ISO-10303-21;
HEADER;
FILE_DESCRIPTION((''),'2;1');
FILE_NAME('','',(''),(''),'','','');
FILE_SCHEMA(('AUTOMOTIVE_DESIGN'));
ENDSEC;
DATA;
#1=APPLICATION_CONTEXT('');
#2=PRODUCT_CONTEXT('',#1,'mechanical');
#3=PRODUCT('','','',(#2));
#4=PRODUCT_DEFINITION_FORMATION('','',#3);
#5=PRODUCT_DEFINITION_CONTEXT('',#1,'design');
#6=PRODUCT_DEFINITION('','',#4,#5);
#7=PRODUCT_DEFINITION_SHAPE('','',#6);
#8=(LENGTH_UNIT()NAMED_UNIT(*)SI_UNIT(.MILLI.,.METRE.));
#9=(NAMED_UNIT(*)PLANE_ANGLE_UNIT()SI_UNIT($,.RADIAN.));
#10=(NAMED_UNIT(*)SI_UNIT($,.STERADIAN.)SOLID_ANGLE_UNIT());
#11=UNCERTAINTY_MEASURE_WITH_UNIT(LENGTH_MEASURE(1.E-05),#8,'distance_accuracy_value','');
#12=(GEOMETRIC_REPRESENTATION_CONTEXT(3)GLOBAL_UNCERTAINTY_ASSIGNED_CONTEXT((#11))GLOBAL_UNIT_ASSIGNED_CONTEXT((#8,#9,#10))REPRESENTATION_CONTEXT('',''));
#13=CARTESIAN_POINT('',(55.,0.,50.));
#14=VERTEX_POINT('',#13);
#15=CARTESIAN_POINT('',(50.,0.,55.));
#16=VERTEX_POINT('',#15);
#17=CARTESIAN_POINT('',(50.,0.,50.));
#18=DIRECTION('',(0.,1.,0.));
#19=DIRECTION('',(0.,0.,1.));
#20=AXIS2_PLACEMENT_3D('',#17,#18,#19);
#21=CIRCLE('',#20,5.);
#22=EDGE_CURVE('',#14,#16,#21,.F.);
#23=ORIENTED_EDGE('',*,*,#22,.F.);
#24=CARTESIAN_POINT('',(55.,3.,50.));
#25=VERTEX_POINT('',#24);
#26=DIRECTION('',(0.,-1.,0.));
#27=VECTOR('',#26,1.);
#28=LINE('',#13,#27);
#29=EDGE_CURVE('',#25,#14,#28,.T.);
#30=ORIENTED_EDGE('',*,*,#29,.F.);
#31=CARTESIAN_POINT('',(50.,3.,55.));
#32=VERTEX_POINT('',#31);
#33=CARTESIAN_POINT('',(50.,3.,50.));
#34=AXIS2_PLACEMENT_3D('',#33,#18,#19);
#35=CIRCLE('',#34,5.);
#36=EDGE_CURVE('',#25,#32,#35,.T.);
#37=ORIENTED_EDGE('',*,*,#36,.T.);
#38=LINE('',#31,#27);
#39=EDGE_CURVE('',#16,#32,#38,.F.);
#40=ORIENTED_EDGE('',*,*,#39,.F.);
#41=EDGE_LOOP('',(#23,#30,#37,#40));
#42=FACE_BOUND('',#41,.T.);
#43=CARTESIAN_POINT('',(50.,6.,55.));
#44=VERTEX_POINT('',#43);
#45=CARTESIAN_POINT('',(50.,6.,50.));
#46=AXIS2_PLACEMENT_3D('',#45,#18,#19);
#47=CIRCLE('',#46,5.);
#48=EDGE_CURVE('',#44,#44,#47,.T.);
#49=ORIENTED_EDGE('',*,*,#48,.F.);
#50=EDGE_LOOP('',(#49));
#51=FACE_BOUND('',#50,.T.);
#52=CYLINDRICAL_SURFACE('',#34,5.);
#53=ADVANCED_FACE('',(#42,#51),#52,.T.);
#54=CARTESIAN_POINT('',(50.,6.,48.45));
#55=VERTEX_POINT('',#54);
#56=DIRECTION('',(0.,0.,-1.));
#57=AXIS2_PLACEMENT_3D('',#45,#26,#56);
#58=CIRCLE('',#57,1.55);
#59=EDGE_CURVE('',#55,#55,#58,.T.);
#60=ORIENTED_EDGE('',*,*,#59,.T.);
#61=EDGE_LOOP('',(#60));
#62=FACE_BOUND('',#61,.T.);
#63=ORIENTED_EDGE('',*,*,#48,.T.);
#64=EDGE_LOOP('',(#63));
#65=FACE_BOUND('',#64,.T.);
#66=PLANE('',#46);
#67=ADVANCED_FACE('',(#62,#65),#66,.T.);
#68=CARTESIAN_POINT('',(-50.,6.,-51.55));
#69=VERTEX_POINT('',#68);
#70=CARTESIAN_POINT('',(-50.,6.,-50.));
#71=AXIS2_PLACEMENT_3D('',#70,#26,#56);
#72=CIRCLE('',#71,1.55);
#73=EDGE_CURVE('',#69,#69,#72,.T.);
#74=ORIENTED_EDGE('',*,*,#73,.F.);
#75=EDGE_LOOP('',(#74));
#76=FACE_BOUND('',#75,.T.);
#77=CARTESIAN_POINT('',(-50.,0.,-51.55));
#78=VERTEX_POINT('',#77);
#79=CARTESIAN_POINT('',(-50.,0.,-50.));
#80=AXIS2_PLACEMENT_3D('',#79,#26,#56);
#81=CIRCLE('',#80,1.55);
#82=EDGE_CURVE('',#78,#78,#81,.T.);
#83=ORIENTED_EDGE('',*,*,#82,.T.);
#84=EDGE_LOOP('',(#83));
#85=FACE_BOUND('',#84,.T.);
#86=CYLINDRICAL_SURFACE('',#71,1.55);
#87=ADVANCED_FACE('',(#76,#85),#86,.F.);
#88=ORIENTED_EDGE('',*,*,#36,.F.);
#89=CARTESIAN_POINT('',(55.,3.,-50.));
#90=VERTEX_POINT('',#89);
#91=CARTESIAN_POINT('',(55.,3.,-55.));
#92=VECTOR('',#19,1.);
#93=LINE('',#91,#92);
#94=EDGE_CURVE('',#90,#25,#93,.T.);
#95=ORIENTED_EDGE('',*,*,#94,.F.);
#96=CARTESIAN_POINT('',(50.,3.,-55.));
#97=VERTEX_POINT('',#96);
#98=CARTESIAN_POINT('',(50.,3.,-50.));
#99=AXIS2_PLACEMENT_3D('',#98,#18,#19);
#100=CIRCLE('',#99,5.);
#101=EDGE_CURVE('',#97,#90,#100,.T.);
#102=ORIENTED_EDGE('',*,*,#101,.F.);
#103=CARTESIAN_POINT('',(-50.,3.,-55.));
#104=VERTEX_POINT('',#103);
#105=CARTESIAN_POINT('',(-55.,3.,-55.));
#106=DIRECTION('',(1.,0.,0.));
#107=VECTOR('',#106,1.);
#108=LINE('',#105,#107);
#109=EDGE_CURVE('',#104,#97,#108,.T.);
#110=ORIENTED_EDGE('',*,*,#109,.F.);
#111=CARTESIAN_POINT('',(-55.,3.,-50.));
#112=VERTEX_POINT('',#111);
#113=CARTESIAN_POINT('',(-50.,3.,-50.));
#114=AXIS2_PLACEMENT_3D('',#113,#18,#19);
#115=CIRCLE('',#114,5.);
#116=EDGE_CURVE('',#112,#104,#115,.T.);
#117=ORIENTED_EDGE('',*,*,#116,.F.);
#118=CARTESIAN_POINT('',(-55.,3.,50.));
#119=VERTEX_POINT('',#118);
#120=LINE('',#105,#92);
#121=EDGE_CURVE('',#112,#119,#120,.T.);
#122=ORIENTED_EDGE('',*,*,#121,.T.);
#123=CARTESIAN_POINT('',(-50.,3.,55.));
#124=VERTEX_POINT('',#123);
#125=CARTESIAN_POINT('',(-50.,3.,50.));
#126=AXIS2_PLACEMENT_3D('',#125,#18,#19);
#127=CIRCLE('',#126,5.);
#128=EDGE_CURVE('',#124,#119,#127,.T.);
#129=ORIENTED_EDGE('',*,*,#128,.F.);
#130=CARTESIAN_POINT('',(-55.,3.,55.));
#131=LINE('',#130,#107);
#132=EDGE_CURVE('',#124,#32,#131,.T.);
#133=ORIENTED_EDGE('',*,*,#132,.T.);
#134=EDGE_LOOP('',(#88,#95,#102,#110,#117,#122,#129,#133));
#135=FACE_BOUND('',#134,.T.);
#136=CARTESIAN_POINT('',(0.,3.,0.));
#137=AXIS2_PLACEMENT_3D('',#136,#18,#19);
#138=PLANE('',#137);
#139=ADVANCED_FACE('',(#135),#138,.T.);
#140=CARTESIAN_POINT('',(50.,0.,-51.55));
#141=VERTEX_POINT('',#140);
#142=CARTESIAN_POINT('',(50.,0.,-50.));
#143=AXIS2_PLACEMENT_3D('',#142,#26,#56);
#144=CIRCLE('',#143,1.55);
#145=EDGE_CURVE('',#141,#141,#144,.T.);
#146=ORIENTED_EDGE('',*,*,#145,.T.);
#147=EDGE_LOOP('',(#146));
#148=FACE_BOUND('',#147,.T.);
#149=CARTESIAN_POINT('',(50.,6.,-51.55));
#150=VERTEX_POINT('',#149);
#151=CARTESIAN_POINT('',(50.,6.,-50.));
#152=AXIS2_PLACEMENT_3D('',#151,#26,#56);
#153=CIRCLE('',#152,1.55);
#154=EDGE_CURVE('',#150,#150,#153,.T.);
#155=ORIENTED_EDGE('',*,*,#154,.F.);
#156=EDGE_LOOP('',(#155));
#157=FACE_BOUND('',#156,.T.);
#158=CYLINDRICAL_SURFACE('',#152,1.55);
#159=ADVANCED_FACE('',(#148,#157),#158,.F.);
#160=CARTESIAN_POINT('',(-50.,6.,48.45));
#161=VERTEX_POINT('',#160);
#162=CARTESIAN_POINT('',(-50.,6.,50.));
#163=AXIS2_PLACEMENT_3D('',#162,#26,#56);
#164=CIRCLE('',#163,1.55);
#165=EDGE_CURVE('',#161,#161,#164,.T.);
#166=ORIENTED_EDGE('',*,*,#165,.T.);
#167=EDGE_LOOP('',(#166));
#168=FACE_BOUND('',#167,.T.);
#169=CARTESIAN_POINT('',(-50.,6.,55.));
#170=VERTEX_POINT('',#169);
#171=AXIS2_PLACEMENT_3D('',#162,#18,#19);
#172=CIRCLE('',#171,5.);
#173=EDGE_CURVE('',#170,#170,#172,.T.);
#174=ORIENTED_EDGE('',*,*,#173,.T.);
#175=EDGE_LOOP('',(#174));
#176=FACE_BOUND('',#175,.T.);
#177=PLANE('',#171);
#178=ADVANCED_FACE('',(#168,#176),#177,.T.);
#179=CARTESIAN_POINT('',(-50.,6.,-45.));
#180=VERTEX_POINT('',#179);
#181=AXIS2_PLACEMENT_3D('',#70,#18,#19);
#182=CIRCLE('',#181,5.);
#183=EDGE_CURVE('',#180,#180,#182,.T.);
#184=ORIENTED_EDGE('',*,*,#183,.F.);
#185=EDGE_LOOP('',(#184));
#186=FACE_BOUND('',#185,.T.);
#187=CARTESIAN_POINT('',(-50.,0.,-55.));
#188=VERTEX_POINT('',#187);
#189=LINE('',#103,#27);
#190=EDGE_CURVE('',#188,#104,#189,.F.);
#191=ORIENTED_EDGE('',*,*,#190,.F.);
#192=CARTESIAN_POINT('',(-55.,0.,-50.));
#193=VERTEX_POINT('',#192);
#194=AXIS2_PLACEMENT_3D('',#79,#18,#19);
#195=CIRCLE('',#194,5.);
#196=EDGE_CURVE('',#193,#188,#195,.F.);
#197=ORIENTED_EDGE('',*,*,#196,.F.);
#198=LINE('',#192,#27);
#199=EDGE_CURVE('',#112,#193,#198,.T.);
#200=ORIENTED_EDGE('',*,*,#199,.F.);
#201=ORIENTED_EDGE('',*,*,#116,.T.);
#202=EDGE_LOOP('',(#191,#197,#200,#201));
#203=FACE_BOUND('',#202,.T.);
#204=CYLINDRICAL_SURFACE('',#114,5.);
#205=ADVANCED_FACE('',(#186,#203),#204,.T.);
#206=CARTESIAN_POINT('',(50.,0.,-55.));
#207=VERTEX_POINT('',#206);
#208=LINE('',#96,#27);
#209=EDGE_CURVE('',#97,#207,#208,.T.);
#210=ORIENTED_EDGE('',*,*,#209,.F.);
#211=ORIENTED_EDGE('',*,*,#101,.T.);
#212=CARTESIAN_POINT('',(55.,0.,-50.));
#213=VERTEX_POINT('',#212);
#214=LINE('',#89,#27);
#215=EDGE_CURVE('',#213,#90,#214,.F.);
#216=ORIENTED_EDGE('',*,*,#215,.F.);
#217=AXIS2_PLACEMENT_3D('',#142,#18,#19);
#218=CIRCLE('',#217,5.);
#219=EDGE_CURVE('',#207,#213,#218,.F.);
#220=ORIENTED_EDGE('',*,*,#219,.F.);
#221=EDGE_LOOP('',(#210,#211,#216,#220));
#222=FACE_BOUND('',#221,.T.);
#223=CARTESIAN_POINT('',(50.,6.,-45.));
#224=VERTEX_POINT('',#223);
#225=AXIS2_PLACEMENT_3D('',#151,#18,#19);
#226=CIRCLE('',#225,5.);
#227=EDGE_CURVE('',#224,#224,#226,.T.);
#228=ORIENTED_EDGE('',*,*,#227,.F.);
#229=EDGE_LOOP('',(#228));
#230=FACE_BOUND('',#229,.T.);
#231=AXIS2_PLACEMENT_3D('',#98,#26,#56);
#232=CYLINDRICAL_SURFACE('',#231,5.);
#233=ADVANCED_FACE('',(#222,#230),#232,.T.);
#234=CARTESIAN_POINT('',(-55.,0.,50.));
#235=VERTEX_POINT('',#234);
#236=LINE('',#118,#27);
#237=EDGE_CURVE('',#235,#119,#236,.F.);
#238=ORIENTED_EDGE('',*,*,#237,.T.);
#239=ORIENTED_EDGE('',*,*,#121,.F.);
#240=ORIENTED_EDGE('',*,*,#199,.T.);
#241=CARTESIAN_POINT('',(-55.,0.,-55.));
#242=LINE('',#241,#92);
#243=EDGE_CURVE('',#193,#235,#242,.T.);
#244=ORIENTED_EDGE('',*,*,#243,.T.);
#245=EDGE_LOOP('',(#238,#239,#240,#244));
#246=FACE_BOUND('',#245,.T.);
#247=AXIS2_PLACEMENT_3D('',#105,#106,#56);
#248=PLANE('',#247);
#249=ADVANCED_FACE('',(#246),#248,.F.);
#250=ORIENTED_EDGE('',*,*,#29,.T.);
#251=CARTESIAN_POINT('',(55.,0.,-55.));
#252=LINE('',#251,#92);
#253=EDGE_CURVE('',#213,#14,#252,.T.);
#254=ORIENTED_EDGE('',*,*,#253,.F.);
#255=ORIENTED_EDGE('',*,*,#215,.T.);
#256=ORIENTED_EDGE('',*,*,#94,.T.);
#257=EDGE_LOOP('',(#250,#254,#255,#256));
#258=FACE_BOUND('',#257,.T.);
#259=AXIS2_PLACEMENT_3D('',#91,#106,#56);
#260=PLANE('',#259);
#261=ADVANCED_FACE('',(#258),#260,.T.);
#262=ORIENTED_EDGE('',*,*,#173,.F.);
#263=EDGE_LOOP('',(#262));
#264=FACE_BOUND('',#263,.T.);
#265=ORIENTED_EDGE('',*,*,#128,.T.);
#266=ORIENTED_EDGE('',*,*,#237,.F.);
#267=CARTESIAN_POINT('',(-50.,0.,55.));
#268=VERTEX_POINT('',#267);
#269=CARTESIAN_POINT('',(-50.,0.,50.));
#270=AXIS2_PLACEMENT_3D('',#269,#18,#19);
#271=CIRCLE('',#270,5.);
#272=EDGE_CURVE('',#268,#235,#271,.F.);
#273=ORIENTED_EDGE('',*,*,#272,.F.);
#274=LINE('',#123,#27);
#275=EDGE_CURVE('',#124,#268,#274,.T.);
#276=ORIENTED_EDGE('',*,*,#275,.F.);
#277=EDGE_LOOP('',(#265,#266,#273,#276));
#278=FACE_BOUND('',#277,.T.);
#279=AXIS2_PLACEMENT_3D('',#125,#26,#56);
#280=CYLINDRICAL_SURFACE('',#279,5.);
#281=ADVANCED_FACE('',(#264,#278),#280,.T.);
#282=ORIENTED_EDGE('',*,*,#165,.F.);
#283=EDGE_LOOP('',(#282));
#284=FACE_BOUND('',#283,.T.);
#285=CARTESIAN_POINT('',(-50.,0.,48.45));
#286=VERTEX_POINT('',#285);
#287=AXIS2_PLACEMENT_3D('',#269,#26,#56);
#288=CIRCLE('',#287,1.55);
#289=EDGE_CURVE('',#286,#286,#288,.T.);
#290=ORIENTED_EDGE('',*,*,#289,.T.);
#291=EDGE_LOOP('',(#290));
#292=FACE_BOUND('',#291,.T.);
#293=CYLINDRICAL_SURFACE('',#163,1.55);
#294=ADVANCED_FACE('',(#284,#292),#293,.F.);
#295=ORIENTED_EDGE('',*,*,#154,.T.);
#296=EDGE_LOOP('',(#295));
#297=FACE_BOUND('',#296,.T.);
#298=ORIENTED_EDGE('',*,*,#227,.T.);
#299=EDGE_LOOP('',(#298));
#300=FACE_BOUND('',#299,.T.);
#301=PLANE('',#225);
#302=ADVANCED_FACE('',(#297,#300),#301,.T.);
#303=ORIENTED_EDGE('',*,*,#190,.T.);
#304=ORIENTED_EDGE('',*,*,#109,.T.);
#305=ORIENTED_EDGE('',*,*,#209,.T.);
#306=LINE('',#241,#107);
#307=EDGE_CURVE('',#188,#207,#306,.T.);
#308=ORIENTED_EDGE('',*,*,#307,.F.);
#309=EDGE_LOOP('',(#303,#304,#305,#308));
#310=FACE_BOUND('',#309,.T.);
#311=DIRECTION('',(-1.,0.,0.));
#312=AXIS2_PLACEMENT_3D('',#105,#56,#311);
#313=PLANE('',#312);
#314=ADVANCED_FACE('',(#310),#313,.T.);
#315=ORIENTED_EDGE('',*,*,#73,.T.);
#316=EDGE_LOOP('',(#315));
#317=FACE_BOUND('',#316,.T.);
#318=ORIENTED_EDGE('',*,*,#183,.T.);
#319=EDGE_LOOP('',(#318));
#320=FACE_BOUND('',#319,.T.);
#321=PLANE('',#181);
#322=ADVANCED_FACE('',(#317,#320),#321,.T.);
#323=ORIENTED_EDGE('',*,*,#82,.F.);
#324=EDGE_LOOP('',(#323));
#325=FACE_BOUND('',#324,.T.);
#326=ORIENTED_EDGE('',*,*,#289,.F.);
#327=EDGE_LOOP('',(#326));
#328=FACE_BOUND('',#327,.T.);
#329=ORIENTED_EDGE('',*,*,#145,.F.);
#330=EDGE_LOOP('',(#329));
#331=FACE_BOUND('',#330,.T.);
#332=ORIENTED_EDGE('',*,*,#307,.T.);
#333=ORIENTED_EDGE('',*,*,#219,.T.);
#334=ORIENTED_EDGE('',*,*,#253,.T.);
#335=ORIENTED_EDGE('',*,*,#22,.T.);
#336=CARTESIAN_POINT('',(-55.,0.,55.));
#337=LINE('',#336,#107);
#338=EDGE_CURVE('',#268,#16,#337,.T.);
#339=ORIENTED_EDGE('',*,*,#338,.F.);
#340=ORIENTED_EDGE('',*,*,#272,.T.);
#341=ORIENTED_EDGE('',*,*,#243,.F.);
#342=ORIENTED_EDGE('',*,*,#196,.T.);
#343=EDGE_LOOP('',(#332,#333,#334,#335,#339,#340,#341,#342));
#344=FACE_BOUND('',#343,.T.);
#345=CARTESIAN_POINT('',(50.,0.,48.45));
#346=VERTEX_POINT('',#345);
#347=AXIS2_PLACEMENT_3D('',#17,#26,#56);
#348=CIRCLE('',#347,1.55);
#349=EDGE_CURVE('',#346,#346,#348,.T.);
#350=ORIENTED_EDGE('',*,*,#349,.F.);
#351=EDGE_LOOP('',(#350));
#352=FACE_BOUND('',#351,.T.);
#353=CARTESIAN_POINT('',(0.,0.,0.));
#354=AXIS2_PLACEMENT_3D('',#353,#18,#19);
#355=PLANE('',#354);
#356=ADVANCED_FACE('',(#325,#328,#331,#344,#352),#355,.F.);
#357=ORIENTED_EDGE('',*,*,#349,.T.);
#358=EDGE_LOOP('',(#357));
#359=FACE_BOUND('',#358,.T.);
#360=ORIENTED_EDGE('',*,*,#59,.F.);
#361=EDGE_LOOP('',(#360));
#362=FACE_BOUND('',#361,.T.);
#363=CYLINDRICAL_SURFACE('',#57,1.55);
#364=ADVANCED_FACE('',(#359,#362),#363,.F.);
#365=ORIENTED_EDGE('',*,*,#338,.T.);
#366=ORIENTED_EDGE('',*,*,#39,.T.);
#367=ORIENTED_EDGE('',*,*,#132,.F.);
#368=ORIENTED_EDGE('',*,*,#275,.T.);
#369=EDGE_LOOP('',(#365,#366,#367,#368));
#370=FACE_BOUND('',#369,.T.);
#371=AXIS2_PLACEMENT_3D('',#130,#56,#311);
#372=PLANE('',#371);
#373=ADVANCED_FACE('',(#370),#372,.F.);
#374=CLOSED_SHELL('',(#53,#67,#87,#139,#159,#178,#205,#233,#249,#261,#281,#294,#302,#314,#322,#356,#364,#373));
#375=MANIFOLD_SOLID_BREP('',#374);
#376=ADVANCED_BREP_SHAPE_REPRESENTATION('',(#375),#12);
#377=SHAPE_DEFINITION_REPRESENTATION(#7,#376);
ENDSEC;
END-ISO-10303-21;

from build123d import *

# Parameters (mm, degrees)
SKETCH1_W           = 110
SKETCH1_H           = 110
BOSS_EXTRUDE1_DEPTH = 3
FILLET1_R           = 5
SKETCH2_R           = 5
BOSS_EXTRUDE2_DEPTH = 3
SKETCH6_R           = 1.55
CUT_EXTRUDE1_DEPTH  = 7


with BuildPart() as part:
    # Sketch1 → Boss-Extrude1 (new body)
    with BuildSketch(Plane(origin=(0, 0, 0), x_dir=(1, 0, 0), z_dir=(0, 1, 0))):
        Rectangle(SKETCH1_W, SKETCH1_H)
    extrude(amount=BOSS_EXTRUDE1_DEPTH)

    # Fillet1
    fillet1_edges = [part.edges().sort_by_distance(p)[0] for p in [
        (-55, 1.5, -55),
        (55, 1.5, -55),
        (55, 1.5, 55),
        (-55, 1.5, 55),
    ]]
    fillet(fillet1_edges, radius=FILLET1_R)

    # Sketch2 → Boss-Extrude2 (add)
    with BuildSketch(Plane(origin=(0, 3, 0), x_dir=(1, 0, 0), z_dir=(0, 1, 0))):
        with Locations((-50, 50)):
            Circle(SKETCH2_R)
        with Locations((50, 50)):
            Circle(SKETCH2_R)
        with Locations((50, -50)):
            Circle(SKETCH2_R)
        with Locations((-50, -50)):
            Circle(SKETCH2_R)
    extrude(amount=BOSS_EXTRUDE2_DEPTH)

    # Sketch6 → Cut-Extrude1 (cut, through all)
    with BuildSketch(Plane.XZ):
        with Locations((-50, 50)):
            Circle(SKETCH6_R)
        with Locations((50, -50)):
            Circle(SKETCH6_R)
        with Locations((50, 50)):
            Circle(SKETCH6_R)
        with Locations((-50, -50)):
            Circle(SKETCH6_R)
    extrude(amount=-CUT_EXTRUDE1_DEPTH, mode=Mode.SUBTRACT)


solid = part.part
